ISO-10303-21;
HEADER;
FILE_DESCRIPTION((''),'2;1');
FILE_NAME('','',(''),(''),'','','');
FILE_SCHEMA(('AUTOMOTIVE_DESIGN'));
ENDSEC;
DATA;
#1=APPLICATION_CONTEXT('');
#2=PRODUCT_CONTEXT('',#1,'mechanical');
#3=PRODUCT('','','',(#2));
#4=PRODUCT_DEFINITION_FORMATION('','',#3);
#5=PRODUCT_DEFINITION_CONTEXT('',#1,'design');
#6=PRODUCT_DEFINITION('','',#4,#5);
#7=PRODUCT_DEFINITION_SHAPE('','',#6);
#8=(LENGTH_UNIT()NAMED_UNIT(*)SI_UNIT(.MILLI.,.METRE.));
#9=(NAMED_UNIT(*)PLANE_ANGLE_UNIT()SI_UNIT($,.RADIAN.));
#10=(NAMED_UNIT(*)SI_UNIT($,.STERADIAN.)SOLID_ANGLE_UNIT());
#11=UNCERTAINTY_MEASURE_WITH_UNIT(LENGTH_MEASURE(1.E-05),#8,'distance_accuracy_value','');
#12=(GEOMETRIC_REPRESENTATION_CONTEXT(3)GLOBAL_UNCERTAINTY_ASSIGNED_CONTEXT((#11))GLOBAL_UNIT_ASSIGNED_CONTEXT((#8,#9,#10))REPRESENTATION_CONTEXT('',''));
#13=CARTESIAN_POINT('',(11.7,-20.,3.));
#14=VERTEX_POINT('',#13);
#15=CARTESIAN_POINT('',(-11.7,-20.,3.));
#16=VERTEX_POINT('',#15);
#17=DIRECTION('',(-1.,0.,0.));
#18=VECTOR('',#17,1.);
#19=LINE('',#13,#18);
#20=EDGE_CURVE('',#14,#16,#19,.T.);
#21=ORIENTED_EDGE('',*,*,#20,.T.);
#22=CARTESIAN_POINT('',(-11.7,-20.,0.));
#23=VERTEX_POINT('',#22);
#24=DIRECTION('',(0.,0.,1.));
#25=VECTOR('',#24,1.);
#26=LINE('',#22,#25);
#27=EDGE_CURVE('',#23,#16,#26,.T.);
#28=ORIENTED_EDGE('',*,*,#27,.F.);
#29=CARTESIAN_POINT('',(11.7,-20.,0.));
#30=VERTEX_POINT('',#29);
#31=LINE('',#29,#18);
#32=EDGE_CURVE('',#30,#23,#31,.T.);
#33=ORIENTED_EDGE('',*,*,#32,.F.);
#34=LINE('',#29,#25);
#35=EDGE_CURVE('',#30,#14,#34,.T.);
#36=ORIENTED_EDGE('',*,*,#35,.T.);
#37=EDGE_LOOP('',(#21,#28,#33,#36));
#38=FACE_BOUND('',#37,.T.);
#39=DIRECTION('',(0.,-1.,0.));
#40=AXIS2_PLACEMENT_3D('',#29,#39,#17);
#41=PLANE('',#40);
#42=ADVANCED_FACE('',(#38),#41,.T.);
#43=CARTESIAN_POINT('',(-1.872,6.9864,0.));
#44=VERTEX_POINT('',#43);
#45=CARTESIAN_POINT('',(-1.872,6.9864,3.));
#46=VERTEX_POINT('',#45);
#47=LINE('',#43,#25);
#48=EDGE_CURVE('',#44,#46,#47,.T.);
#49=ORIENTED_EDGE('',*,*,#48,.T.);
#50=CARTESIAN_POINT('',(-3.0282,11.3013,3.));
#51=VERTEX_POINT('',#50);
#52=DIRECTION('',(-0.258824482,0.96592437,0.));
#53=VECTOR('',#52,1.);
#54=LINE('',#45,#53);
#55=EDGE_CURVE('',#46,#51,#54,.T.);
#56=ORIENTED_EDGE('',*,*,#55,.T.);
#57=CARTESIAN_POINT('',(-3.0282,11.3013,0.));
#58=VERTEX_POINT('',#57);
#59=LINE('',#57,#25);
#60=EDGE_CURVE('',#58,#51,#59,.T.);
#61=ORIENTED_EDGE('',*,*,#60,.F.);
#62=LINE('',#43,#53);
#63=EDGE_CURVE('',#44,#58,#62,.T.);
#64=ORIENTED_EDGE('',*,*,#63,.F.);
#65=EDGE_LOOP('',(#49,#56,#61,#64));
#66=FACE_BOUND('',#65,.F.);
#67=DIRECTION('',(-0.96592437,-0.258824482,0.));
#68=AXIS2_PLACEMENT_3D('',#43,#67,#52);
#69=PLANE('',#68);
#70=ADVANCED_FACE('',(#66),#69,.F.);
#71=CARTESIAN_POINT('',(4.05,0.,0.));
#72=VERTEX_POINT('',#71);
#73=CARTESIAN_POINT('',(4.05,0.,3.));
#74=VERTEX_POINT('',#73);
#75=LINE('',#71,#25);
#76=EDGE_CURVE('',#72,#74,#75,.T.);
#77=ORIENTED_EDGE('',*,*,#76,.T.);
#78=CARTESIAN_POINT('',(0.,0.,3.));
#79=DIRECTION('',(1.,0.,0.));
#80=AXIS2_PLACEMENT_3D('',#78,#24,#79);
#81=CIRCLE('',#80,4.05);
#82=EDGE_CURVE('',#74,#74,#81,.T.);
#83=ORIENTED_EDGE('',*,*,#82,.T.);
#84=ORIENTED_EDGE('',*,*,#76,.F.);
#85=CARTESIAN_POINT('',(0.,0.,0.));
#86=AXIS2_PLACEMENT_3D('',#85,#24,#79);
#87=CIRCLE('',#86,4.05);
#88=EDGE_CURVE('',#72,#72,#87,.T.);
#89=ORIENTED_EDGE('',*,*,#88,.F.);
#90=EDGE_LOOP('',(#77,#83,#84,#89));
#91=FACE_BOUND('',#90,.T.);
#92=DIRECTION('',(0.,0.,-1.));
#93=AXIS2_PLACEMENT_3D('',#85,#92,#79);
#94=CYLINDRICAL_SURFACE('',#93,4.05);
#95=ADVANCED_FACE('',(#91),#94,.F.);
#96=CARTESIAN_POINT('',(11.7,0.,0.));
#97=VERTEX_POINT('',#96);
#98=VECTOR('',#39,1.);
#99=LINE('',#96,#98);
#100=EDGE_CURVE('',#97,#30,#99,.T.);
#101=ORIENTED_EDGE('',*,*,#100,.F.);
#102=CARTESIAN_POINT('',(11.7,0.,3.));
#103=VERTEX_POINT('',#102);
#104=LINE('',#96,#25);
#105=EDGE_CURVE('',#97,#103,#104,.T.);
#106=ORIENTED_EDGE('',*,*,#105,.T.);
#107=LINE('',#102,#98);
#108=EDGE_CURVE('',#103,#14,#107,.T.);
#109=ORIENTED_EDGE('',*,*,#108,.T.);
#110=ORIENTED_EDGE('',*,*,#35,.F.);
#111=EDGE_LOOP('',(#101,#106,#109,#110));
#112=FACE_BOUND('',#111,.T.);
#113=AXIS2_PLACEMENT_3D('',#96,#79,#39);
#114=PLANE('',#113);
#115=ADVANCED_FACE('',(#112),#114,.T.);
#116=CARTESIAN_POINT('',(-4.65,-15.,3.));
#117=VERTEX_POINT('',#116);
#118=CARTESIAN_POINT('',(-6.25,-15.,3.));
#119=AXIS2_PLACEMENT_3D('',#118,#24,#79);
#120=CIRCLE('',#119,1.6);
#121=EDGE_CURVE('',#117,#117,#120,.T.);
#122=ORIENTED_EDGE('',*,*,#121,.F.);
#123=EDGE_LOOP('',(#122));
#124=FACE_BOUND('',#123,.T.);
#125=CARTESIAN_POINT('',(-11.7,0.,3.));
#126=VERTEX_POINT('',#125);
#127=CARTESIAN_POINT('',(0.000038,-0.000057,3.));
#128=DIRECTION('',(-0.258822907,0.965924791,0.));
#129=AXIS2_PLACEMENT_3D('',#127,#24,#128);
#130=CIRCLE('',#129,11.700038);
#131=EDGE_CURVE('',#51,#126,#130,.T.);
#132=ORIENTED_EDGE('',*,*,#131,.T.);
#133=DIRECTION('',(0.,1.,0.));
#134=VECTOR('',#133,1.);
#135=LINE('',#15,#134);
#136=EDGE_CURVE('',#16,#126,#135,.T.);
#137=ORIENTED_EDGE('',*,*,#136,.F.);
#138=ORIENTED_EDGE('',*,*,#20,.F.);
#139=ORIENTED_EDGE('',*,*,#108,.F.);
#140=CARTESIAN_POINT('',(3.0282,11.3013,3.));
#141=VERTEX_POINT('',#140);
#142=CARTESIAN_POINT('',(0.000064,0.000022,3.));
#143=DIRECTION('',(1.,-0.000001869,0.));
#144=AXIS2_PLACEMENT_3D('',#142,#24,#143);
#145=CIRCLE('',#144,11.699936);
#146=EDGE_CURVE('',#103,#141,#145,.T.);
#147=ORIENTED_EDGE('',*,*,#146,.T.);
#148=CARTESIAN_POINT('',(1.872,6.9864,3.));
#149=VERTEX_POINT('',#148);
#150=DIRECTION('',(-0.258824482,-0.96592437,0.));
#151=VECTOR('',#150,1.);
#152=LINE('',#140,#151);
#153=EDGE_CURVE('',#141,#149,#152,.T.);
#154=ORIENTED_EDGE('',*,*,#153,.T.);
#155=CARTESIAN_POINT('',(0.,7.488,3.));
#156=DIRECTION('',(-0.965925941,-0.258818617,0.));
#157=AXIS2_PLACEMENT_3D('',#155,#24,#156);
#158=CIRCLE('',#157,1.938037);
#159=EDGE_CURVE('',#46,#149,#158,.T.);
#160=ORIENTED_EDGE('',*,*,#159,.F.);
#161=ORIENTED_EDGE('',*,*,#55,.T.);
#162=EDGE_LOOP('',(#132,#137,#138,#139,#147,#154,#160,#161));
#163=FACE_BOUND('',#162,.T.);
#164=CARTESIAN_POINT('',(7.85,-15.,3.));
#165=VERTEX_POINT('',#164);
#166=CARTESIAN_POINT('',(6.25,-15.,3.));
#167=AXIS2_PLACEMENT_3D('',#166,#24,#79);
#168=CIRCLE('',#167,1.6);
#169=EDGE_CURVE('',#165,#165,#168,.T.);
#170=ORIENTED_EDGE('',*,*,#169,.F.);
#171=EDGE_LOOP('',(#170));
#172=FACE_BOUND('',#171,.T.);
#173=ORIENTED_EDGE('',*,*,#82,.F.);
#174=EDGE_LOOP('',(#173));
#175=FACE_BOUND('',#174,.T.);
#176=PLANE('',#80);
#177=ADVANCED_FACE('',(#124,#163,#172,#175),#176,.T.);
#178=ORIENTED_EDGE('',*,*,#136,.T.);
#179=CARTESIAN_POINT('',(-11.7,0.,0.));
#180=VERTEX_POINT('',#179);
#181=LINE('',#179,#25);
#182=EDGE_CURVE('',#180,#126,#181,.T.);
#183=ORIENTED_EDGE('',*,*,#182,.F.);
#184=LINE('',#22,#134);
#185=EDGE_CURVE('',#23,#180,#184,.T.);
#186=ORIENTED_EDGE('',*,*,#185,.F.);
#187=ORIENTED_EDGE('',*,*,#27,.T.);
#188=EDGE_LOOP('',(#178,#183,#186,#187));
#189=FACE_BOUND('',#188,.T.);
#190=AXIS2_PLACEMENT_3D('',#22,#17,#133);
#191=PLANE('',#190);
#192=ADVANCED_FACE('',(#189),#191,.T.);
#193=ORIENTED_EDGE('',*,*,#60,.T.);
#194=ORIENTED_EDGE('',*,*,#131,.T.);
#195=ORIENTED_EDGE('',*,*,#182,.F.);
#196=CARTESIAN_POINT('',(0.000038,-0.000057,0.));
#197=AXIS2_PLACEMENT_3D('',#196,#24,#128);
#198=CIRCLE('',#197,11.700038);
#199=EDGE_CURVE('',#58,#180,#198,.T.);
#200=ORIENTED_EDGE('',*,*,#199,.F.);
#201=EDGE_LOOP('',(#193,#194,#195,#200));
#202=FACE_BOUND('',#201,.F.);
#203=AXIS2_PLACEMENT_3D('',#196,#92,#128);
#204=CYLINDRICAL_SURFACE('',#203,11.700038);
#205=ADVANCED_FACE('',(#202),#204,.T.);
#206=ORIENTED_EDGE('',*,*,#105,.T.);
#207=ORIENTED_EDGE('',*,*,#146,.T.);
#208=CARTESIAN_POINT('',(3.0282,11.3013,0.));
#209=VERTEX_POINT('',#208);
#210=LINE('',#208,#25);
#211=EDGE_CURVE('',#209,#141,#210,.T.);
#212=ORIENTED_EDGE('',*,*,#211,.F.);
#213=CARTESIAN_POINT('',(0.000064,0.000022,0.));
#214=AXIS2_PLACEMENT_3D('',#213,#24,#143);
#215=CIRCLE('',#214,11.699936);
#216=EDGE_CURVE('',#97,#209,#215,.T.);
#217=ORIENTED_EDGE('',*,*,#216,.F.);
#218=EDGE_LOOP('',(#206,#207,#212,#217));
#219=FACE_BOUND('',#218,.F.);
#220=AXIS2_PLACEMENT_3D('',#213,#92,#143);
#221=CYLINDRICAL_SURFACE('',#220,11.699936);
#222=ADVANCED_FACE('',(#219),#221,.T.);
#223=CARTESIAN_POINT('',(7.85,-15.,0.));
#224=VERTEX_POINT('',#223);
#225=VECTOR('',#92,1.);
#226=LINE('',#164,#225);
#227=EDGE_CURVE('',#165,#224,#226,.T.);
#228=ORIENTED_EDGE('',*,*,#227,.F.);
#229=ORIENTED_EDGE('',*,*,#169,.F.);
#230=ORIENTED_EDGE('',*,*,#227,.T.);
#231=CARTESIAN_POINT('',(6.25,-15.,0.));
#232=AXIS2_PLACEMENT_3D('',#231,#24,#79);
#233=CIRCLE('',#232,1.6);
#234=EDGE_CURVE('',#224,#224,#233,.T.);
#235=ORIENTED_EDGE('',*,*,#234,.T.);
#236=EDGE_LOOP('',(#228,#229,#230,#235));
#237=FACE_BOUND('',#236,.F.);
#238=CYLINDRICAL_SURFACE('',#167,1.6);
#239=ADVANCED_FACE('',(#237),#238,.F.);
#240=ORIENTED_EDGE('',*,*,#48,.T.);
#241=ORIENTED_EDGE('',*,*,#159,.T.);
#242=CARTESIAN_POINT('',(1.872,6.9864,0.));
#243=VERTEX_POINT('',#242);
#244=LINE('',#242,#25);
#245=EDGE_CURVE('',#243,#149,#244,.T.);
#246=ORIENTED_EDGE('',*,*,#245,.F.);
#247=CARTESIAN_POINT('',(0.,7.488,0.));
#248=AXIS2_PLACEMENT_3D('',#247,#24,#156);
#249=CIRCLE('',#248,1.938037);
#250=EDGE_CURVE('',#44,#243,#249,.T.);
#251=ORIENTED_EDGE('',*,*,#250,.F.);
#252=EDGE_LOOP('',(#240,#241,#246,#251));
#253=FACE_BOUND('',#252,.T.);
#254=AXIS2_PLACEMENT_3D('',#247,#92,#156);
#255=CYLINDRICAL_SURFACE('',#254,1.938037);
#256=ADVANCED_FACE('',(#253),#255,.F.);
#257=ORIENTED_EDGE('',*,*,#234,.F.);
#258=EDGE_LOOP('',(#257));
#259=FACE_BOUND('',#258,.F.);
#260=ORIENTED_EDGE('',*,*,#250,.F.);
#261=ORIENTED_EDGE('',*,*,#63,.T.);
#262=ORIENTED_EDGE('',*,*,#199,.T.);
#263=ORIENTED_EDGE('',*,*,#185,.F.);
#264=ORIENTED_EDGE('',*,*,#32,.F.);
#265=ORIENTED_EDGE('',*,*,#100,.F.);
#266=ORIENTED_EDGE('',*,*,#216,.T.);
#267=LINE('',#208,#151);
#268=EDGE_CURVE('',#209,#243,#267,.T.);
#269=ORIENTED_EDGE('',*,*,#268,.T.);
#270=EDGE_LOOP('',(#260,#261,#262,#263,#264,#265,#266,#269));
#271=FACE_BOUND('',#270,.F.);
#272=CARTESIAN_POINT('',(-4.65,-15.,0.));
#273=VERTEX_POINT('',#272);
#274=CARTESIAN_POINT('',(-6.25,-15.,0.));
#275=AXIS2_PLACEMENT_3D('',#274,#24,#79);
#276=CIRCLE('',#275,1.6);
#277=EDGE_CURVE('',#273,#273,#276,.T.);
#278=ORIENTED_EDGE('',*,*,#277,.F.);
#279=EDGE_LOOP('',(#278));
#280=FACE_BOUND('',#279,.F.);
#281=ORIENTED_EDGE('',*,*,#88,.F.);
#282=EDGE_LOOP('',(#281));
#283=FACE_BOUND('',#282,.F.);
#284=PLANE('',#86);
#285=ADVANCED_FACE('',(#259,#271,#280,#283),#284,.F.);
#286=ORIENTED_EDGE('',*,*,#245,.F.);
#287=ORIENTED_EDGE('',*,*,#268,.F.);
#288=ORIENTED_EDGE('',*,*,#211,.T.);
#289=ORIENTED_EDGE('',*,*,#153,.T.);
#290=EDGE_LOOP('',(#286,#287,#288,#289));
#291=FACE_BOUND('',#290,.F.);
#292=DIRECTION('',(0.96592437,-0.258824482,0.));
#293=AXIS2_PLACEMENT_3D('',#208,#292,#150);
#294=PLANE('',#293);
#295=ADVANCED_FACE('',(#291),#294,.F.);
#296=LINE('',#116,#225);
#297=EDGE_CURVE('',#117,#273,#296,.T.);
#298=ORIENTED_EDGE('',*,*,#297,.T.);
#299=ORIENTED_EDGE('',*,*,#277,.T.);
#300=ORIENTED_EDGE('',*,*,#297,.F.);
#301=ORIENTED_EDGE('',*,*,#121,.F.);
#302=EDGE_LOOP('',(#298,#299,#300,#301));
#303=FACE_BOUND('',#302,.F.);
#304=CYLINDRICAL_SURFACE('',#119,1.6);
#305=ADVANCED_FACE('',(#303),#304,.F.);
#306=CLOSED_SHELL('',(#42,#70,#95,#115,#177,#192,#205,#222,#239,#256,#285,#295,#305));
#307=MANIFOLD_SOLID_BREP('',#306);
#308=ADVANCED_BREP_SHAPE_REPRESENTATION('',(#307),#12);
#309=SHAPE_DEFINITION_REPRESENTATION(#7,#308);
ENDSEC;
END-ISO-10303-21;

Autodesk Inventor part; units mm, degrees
ref_plane "YZ Plane" through (0, 0, 0) normal (1, 0, 0) x (0, 1, 0)
ref_plane "XZ Plane" through (0, 0, 0) normal (0, 1, 0) x (-1, 0, 0)
ref_plane "XY Plane" through (0, 0, 0) normal (0, 0, 1) x (1, 0, 0)
sketch "Sketch1" plane through (0, 0, 0) normal (0, 0, 1) x (1, 0, 0)
  arc A0 (-1.9, 11.5447) -> (-3.0282, 11.3013) centre (0, 0) ccw construction
  line L0 (0, 7.75) -> (0, 0) construction
  arc A1 (1.9, 11.5447) -> (-1.9, 11.5447) centre (0, 0) ccw construction
  circle A2 centre (0, 0) radius 4.05
  line L1 (11.7, 0) -> (11.7, -20)
  line L2 (11.7, -20) -> (-11.7, -20)
  line L3 (-11.7, -20) -> (-11.7, 0)
  arc A3 (11.7, 0) -> (3.0282, 11.3013) centre (0, 0) ccw
  arc A4 (-11.7, 0) -> (11.7, 0) centre (0, 0) ccw construction
  line L4 (3.0282, 11.3013) -> (1.872, 6.9864)
  line L5 (-1.872, 6.9864) -> (-3.0282, 11.3013)
  arc A5 (-1.872, 6.9864) -> (1.872, 6.9864) centre (0, 7.488) ccw
  arc A6 (3.0282, 11.3013) -> (1.9, 11.5447) centre (0, 0) ccw construction
  arc A7 (-3.0282, 11.3013) -> (-11.7, 0) centre (0, 0) ccw
  line L6 (-1.872, 6.9864) -> (0, 0) construction
  line L7 (0, 0) -> (1.872, 6.9864) construction
  line L8 (0, 5.55) -> (0, 4.05) construction
  dimension "d3" = 8.1
  dimension "d0" = 23.4
  dimension "d4" = 20
  dimension "d8" = 30
  dimension "d9" = 1.5
extrude "Extrusion1" add sketch "Sketch1" along normal blind 3
sketch "Sketch2" plane through (0, 0, 3) normal (0, 0, 1) x (1, 0, 0)
  circle A0 centre (-6.25, -15) radius 1.6
  circle A1 centre (6.25, -15) radius 1.6
  line L0 (-6.25, -15) -> (6.25, -15) construction
  line L1 (0, -15) -> (0, -20) construction
  line L2 (-11.7, -20) -> (11.7, -20) construction
  point P0 (0, 0)
  dimension "d10" = 3.2
  dimension "d11" = 5
  dimension "d12" = 12.5
extrude "Extrusion2" cut sketch "Sketch2" against normal through all
properties part number "Xgantry_CableChain_top_connector"
